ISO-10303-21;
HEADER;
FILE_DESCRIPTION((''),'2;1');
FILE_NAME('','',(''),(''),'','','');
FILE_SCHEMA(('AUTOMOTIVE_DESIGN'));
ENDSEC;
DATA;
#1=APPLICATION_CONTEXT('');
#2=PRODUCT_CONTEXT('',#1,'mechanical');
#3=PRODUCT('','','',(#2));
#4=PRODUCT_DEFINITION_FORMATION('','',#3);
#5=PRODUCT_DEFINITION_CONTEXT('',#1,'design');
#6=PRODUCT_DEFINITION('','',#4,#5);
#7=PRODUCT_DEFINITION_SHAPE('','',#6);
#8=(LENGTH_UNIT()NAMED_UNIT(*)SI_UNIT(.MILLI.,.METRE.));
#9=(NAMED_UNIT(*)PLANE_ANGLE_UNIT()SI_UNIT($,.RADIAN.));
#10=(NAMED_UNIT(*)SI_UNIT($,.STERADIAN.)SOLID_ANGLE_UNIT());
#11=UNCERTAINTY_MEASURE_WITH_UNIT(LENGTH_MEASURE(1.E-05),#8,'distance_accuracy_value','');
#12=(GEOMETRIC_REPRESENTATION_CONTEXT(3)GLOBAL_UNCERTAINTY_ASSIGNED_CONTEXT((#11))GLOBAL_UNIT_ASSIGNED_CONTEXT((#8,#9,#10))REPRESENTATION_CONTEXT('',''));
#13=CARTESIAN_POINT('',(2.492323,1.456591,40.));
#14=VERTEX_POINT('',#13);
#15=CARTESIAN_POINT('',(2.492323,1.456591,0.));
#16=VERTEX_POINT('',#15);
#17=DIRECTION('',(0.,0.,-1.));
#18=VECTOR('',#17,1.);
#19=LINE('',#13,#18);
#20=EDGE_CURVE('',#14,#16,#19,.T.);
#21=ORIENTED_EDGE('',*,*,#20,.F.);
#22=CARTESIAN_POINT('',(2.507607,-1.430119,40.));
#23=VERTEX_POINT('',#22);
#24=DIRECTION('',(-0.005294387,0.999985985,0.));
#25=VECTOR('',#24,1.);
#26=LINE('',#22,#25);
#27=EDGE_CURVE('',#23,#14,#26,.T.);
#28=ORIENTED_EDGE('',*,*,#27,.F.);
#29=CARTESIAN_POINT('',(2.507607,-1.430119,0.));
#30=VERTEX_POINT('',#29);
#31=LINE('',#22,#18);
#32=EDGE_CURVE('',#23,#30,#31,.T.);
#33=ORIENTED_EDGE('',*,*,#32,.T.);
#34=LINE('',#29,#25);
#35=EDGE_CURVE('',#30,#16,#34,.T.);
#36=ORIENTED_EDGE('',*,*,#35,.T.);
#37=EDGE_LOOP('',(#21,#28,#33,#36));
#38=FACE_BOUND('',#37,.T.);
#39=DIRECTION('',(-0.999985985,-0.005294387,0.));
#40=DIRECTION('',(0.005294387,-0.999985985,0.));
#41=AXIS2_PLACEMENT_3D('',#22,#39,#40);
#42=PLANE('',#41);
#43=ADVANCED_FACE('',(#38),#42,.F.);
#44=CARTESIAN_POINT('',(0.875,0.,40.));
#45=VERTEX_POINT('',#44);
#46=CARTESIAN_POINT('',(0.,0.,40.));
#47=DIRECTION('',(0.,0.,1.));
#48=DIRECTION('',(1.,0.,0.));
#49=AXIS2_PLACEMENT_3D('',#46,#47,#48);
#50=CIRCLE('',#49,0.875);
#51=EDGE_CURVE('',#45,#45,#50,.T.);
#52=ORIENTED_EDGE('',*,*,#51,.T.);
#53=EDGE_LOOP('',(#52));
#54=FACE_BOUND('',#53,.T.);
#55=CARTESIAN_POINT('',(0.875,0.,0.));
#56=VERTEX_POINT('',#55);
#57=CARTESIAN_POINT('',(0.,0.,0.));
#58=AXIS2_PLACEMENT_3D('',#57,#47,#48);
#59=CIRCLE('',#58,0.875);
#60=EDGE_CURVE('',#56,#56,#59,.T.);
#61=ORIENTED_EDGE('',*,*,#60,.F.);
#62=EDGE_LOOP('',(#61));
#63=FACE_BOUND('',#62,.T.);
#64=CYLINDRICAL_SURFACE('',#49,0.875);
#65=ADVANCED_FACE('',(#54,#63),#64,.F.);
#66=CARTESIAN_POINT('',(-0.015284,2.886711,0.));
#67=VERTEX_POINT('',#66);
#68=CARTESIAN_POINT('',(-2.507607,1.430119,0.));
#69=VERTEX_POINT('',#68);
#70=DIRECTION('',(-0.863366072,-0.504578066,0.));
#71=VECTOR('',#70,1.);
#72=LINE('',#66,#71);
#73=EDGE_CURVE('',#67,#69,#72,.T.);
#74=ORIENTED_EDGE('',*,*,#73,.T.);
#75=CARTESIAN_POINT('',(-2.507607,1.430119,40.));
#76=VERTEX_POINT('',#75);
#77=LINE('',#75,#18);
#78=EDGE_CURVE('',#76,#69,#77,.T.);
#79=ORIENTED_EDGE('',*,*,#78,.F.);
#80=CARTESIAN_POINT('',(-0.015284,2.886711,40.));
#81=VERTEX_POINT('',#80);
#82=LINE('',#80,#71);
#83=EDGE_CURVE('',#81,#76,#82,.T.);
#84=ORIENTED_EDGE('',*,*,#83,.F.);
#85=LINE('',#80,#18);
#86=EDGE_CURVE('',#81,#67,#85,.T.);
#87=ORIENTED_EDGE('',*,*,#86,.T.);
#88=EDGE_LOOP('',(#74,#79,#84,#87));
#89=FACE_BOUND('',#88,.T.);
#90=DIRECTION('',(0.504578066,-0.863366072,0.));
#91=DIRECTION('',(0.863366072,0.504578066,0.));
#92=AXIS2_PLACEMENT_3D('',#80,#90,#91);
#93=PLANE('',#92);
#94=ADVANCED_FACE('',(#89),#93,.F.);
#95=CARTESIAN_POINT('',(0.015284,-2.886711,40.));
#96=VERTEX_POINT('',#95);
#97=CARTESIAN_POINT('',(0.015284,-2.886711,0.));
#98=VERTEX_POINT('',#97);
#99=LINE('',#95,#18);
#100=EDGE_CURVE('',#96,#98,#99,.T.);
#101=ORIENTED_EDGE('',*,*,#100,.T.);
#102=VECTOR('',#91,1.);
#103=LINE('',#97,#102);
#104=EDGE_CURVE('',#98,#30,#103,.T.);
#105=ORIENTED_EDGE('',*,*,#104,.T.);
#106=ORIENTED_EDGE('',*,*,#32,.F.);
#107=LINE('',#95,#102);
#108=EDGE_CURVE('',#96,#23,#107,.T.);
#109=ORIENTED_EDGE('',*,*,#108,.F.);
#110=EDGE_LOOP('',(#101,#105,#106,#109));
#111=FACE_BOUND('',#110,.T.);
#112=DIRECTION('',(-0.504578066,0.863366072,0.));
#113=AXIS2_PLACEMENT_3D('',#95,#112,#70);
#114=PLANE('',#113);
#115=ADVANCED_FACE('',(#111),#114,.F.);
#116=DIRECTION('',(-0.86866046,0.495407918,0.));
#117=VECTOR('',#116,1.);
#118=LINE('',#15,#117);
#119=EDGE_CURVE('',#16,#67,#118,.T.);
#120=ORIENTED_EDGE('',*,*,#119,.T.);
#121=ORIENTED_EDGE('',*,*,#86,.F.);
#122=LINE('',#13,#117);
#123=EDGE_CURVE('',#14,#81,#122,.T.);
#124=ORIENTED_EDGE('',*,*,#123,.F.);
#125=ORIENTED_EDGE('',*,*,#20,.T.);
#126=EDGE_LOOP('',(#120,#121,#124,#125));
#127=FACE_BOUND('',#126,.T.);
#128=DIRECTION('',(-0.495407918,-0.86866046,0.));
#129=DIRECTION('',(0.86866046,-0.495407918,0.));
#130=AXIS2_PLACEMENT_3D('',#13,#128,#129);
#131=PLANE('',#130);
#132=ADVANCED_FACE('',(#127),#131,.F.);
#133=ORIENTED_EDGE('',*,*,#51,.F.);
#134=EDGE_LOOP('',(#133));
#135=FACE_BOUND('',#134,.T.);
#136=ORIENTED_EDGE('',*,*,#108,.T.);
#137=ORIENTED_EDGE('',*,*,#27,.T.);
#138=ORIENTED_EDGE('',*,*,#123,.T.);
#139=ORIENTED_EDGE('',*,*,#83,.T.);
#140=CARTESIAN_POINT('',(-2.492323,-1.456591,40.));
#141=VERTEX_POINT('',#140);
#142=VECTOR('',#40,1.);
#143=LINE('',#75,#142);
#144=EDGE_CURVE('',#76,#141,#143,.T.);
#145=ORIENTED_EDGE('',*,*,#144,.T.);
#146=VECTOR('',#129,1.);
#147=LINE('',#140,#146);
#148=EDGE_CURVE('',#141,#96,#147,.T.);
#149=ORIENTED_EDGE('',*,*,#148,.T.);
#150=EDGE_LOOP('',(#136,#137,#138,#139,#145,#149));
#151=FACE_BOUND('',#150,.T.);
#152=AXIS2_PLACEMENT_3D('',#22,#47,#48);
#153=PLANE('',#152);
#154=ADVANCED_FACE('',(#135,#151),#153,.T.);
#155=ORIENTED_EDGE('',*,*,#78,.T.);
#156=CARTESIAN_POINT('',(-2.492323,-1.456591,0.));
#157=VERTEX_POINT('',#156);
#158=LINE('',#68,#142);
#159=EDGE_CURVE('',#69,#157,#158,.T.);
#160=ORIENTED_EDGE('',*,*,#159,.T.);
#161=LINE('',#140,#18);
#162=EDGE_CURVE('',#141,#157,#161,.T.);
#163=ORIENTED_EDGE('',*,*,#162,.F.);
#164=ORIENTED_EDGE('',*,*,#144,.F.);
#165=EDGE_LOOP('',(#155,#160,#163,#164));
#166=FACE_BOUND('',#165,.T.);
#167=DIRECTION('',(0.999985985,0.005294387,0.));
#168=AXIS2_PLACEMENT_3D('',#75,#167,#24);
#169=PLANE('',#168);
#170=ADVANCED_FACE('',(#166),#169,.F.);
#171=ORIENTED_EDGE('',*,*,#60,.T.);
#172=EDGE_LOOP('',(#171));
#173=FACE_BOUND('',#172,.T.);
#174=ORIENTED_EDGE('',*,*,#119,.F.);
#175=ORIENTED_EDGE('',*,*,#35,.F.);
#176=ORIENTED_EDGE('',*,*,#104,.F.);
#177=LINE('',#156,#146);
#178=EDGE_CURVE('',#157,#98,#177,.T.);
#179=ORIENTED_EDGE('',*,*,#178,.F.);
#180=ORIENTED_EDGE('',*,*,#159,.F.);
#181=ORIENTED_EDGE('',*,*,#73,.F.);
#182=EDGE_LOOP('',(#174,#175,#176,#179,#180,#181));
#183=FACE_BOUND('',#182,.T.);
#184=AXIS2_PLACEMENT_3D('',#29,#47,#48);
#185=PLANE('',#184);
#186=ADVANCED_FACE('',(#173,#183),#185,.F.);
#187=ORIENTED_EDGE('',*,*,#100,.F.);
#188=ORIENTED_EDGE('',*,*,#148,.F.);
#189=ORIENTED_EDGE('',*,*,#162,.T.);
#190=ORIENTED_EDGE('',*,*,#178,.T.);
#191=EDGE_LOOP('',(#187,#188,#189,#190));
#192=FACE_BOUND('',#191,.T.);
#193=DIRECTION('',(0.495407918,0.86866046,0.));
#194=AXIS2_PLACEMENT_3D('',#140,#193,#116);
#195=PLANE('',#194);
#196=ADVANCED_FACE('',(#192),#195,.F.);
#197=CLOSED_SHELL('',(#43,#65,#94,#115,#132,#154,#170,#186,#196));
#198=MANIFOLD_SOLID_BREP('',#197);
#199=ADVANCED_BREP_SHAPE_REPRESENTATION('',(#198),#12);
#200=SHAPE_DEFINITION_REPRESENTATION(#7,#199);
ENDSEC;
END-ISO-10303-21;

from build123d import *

# Parameters (mm, degrees)
BOSS_EXTRUDE1_DEPTH      = 40
M2_2X0_45_TAPPED_HOLE1_D = 1.75


with BuildPart() as part:
    # Sketch1 → Boss-Extrude1 (new body)
    with BuildSketch(Plane.XY):
        Polygon((2.507606751, -1.430119475), (2.492323172, 1.456591412), (-0.01528358, 2.886710887), (-2.507606751, 1.430119475), (-2.492323172, -1.456591412), (0.01528358, -2.886710887), align=None)
    extrude(amount=BOSS_EXTRUDE1_DEPTH)

    # M2.2x0.45 Tapped Hole1 (through all)
    with Locations(Plane.XY.offset(40)):
        with Locations((0, 0)):
            Hole(M2_2X0_45_TAPPED_HOLE1_D / 2)


solid = part.part
